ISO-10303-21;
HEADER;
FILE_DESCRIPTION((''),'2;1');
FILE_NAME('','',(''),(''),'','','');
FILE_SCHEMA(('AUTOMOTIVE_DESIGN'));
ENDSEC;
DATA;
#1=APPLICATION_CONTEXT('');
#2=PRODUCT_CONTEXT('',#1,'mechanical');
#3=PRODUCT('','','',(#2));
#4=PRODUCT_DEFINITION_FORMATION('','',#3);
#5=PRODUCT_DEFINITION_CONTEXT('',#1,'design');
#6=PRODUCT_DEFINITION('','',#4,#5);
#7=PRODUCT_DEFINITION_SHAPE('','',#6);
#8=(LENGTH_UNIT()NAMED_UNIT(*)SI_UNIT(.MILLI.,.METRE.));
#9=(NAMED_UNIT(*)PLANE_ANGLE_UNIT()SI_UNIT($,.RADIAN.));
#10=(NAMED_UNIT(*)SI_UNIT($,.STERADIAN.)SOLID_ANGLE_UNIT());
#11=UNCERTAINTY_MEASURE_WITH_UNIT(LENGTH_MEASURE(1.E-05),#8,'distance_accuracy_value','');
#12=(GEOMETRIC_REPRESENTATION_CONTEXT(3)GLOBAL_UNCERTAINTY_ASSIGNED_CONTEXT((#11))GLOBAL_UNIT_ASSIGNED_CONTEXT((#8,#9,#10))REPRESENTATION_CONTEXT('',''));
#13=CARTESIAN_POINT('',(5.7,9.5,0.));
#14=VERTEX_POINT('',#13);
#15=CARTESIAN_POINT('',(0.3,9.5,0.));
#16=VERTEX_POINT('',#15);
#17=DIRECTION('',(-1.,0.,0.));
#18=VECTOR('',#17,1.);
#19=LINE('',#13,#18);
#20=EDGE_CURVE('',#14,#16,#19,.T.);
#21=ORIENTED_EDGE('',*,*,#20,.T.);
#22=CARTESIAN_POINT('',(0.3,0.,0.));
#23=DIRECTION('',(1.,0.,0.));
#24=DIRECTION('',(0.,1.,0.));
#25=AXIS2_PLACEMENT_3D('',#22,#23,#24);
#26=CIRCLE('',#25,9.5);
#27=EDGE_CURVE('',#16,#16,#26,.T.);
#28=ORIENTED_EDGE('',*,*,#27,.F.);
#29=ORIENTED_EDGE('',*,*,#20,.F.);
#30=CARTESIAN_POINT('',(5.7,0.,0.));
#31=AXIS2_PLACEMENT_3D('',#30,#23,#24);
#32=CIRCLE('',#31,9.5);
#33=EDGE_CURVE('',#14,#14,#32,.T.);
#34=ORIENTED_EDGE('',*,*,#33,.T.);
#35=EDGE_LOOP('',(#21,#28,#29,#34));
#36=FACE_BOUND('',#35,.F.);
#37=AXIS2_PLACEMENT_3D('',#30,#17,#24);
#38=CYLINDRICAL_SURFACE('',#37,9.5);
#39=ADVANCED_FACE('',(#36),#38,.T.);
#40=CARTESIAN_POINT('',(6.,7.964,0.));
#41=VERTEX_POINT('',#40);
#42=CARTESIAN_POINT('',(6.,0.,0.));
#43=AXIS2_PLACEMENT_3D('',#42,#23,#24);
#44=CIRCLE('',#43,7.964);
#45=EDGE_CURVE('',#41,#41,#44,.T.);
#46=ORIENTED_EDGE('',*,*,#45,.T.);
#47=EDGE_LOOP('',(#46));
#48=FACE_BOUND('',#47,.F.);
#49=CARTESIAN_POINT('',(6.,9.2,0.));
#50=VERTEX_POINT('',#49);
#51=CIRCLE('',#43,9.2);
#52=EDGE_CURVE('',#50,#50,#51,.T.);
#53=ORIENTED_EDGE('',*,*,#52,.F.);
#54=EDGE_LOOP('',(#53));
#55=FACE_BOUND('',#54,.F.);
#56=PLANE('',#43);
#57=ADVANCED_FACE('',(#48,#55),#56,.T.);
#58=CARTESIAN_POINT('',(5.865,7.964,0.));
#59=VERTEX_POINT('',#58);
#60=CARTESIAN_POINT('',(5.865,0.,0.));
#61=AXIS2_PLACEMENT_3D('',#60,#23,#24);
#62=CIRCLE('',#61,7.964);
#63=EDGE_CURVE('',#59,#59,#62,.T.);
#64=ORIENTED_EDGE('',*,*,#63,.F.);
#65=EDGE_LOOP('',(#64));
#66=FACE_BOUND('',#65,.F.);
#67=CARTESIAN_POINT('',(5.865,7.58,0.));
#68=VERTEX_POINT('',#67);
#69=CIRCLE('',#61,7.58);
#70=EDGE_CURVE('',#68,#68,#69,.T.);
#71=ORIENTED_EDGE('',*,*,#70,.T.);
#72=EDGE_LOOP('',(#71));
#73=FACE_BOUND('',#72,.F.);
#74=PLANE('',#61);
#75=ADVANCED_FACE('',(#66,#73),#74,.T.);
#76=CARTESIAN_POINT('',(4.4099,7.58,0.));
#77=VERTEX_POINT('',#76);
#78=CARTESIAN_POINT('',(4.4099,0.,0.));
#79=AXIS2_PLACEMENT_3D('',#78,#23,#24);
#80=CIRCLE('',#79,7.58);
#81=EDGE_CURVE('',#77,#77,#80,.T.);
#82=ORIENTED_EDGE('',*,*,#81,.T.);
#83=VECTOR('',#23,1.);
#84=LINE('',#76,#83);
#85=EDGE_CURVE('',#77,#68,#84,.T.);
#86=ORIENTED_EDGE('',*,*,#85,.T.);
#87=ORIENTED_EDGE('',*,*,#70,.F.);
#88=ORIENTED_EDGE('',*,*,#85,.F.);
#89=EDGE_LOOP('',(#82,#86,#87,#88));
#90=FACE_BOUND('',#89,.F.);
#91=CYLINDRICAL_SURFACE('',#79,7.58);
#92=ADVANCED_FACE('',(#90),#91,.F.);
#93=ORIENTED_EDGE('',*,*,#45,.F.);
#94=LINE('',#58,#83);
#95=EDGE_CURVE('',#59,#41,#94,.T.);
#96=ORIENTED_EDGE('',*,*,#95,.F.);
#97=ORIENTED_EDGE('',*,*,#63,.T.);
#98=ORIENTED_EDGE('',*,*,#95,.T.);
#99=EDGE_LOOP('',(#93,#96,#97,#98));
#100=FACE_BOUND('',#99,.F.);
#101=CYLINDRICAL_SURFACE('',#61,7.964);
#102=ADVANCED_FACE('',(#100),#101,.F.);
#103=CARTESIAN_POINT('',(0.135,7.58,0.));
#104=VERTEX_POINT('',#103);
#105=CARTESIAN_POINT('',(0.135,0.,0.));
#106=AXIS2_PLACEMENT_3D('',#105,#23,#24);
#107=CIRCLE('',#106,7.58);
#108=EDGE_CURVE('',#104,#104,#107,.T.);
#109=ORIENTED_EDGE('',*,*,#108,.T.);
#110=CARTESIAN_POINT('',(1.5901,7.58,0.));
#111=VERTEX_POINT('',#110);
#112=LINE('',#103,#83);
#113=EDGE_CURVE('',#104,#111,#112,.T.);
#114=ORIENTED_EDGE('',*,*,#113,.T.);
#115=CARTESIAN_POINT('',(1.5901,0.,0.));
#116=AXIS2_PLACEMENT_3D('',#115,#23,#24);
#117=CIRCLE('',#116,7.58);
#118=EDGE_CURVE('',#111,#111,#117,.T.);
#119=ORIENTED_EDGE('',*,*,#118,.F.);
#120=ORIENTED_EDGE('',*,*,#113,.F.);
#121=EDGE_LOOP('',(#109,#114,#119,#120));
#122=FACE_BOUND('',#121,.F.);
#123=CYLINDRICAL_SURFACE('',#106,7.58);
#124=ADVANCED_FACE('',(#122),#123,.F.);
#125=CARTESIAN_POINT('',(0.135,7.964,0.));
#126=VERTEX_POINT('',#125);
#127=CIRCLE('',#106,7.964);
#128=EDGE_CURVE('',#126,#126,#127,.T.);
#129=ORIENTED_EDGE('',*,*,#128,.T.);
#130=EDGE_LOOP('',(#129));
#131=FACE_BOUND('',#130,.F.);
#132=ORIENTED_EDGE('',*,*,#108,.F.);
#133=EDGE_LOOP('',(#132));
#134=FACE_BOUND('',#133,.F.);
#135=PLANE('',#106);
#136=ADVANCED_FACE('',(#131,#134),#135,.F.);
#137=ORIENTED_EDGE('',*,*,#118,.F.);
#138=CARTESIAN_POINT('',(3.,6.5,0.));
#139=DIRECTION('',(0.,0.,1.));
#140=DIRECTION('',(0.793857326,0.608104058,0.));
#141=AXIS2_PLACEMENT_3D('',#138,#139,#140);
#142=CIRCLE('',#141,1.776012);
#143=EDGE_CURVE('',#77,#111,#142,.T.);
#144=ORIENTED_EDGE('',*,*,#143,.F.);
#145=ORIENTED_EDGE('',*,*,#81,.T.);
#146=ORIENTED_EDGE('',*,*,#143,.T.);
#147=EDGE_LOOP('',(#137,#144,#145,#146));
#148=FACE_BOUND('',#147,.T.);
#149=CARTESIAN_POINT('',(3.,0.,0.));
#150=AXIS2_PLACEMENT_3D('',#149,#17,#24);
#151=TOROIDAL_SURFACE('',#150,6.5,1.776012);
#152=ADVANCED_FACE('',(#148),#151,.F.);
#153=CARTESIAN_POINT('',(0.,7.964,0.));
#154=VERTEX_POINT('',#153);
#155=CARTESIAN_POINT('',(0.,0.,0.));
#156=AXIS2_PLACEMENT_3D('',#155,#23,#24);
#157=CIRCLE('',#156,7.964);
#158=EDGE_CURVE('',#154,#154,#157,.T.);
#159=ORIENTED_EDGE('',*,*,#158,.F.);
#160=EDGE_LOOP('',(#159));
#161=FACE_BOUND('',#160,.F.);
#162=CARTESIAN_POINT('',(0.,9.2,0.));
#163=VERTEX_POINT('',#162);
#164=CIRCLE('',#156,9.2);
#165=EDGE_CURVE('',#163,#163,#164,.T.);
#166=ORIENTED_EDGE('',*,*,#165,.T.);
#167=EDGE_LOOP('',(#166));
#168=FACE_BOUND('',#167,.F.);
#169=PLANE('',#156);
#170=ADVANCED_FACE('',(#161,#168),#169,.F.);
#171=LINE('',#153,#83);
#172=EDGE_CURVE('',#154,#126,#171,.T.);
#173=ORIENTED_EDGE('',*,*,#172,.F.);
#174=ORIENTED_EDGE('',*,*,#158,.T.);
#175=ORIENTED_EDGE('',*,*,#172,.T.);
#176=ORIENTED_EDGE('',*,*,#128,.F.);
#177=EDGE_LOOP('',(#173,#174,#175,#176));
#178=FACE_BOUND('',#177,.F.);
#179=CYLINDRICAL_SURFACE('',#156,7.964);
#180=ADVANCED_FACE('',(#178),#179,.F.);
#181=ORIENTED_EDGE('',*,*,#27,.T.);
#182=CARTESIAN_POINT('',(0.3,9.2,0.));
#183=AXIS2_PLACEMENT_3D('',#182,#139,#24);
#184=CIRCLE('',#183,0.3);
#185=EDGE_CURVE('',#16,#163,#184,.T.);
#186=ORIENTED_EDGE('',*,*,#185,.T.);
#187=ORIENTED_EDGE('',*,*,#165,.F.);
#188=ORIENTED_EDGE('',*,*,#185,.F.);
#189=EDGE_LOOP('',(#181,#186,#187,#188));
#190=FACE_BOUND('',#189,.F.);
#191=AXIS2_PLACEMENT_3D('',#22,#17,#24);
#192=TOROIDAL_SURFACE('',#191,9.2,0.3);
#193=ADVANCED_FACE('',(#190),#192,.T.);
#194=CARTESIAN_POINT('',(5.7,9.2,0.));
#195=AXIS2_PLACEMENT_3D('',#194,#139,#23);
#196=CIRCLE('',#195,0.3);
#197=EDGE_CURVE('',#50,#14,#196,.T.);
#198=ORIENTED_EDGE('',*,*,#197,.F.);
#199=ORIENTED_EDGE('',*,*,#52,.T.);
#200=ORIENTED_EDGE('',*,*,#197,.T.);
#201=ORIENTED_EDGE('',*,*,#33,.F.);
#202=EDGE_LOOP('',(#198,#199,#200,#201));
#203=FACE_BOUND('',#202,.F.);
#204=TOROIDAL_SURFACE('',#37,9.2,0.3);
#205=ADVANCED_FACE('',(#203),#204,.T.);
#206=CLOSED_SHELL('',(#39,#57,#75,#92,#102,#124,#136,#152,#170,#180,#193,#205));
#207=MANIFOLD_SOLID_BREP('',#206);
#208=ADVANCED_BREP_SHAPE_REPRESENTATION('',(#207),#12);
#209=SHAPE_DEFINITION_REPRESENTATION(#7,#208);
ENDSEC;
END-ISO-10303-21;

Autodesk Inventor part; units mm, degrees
sketch "Sketch_3" plane through (0, 0, 0) normal (0, 0, 1) x (1, 0, 0)
  line L0 (6, 0) -> (0, 0)
  line L1 (0, 7.964) -> (0.135, 7.964)
  line L2 (0.135, 7.964) -> (0.135, 7.58)
  line L3 (0.135, 7.58) -> (1.5901, 7.58)
  arc A0 (4.4099, 7.58) -> (1.5901, 7.58) centre (3, 6.5) ccw
  line L4 (4.4099, 7.58) -> (5.865, 7.58)
  line L5 (5.865, 7.58) -> (5.865, 7.964)
  line L6 (5.865, 7.964) -> (6, 7.964)
  line L7 (6, 7.964) -> (6, 9.2)
  arc A1 (6, 9.2) -> (5.7, 9.5) centre (5.7, 9.2) ccw
  line L8 (5.7, 9.5) -> (0.3, 9.5)
  arc A2 (0.3, 9.5) -> (0, 9.2) centre (0.3, 9.2) ccw
  line L9 (0, 9.2) -> (0, 7.964)
revolve "Revolution1" add sketch "Sketch_3" angle 360 about axis through (6, 0, 0) along (1, 0, 0)
ref_plane "mss_or_XY" through (0, 0, 0) normal (1, 0, 0) x (0, 0, -1)
ref_plane "mss_or_YZ" through (0, 0, 0) normal (0, 0, -1) x (0, 1, 0)
ref_plane "mss_or_ZX" through (0, 0, 0) normal (0, 1, 0) x (1, 0, 0)
ref_plane "mss_or11_XY" through (6, 0, 0) normal (1, 0, 0) x (0, 0, -1)
ref_plane "mss_or11_YZ" through (6, 0, 0) normal (0, 0, -1) x (0, 1, 0)
ref_plane "mss_or11_ZX" through (6, 0, 0) normal (0, 1, 0) x (1, 0, 0)
ref_plane "mss_or2_1_XY" through (3, 6.5, 0) normal (1, 0, 0) x (0, 0, -1)
ref_plane "mss_or2_1_YZ" through (3, 6.5, 0) normal (0, 0, -1) x (0, 1, 0)
ref_plane "mss_or2_1_ZX" through (3, 6.5, 0) normal (0, 1, 0) x (1, 0, 0)
ref_plane "mss_or2_2_XY" through (3, 4.0527, 5.0819) normal (1, 0, 0) x (0, 0, -1)
ref_plane "mss_or2_2_YZ" through (3, 4.0527, 5.0819) normal (0, 0, -1) x (0, 1, 0)
ref_plane "mss_or2_2_ZX" through (3, 4.0527, 5.0819) normal (0, 1, 0) x (1, 0, 0)
ref_plane "mss_or2_3_XY" through (3, -1.4464, 6.337) normal (1, 0, 0) x (0, 0, -1)
ref_plane "mss_or2_3_YZ" through (3, -1.4464, 6.337) normal (0, 0, -1) x (0, 1, 0)
ref_plane "mss_or2_3_ZX" through (3, -1.4464, 6.337) normal (0, 1, 0) x (1, 0, 0)
ref_plane "mss_or2_4_XY" through (3, -5.8563, 2.8202) normal (1, 0, 0) x (0, 0, -1)
ref_plane "mss_or2_4_YZ" through (3, -5.8563, 2.8202) normal (0, 0, -1) x (0, 1, 0)
ref_plane "mss_or2_4_ZX" through (3, -5.8563, 2.8202) normal (0, 1, 0) x (1, 0, 0)
ref_plane "mss_or2_5_XY" through (3, -5.8563, -2.8202) normal (1, 0, 0) x (0, 0, -1)
ref_plane "mss_or2_5_YZ" through (3, -5.8563, -2.8202) normal (0, 0, -1) x (0, 1, 0)
ref_plane "mss_or2_5_ZX" through (3, -5.8563, -2.8202) normal (0, 1, 0) x (1, 0, 0)
ref_plane "mss_or2_6_XY" through (3, -1.4464, -6.337) normal (1, 0, 0) x (0, 0, -1)
ref_plane "mss_or2_6_YZ" through (3, -1.4464, -6.337) normal (0, 0, -1) x (0, 1, 0)
ref_plane "mss_or2_6_ZX" through (3, -1.4464, -6.337) normal (0, 1, 0) x (1, 0, 0)
ref_plane "mss_or2_7_XY" through (3, 4.0527, -5.0819) normal (1, 0, 0) x (0, 0, -1)
ref_plane "mss_or2_7_YZ" through (3, 4.0527, -5.0819) normal (0, 0, -1) x (0, 1, 0)
ref_plane "mss_or2_7_ZX" through (3, 4.0527, -5.0819) normal (0, 1, 0) x (1, 0, 0)
ref_plane "mss_or21_1_XY" through (3, 6.5, 0) normal (1, 0, 0) x (0, 0, -1)
ref_plane "mss_or21_1_YZ" through (3, 6.5, 0) normal (0, 0, -1) x (0, 1, 0)
ref_plane "mss_or21_1_ZX" through (3, 6.5, 0) normal (0, 1, 0) x (1, 0, 0)
ref_plane "mss_or21_2_XY" through (3, 4.0527, 5.0819) normal (1, 0, 0) x (0, 0, -1)
ref_plane "mss_or21_2_YZ" through (3, 4.0527, 5.0819) normal (0, 0, -1) x (0, 1, 0)
ref_plane "mss_or21_2_ZX" through (3, 4.0527, 5.0819) normal (0, 1, 0) x (1, 0, 0)
ref_plane "mss_or21_3_XY" through (3, -1.4464, 6.337) normal (1, 0, 0) x (0, 0, -1)
ref_plane "mss_or21_3_YZ" through (3, -1.4464, 6.337) normal (0, 0, -1) x (0, 1, 0)
ref_plane "mss_or21_3_ZX" through (3, -1.4464, 6.337) normal (0, 1, 0) x (1, 0, 0)
ref_plane "mss_or21_4_XY" through (3, -5.8563, 2.8202) normal (1, 0, 0) x (0, 0, -1)
ref_plane "mss_or21_4_YZ" through (3, -5.8563, 2.8202) normal (0, 0, -1) x (0, 1, 0)
ref_plane "mss_or21_4_ZX" through (3, -5.8563, 2.8202) normal (0, 1, 0) x (1, 0, 0)
ref_plane "mss_or21_5_XY" through (3, -5.8563, -2.8202) normal (1, 0, 0) x (0, 0, -1)
ref_plane "mss_or21_5_YZ" through (3, -5.8563, -2.8202) normal (0, 0, -1) x (0, 1, 0)
ref_plane "mss_or21_5_ZX" through (3, -5.8563, -2.8202) normal (0, 1, 0) x (1, 0, 0)
ref_plane "mss_or21_6_XY" through (3, -1.4464, -6.337) normal (1, 0, 0) x (0, 0, -1)
ref_plane "mss_or21_6_YZ" through (3, -1.4464, -6.337) normal (0, 0, -1) x (0, 1, 0)
ref_plane "mss_or21_6_ZX" through (3, -1.4464, -6.337) normal (0, 1, 0) x (1, 0, 0)
ref_plane "mss_or21_7_XY" through (3, 4.0527, -5.0819) normal (1, 0, 0) x (0, 0, -1)
ref_plane "mss_or21_7_YZ" through (3, 4.0527, -5.0819) normal (0, 0, -1) x (0, 1, 0)
ref_plane "mss_or21_7_ZX" through (3, 4.0527, -5.0819) normal (0, 1, 0) x (1, 0, 0)
properties part number "607ZZ Outer ring"
